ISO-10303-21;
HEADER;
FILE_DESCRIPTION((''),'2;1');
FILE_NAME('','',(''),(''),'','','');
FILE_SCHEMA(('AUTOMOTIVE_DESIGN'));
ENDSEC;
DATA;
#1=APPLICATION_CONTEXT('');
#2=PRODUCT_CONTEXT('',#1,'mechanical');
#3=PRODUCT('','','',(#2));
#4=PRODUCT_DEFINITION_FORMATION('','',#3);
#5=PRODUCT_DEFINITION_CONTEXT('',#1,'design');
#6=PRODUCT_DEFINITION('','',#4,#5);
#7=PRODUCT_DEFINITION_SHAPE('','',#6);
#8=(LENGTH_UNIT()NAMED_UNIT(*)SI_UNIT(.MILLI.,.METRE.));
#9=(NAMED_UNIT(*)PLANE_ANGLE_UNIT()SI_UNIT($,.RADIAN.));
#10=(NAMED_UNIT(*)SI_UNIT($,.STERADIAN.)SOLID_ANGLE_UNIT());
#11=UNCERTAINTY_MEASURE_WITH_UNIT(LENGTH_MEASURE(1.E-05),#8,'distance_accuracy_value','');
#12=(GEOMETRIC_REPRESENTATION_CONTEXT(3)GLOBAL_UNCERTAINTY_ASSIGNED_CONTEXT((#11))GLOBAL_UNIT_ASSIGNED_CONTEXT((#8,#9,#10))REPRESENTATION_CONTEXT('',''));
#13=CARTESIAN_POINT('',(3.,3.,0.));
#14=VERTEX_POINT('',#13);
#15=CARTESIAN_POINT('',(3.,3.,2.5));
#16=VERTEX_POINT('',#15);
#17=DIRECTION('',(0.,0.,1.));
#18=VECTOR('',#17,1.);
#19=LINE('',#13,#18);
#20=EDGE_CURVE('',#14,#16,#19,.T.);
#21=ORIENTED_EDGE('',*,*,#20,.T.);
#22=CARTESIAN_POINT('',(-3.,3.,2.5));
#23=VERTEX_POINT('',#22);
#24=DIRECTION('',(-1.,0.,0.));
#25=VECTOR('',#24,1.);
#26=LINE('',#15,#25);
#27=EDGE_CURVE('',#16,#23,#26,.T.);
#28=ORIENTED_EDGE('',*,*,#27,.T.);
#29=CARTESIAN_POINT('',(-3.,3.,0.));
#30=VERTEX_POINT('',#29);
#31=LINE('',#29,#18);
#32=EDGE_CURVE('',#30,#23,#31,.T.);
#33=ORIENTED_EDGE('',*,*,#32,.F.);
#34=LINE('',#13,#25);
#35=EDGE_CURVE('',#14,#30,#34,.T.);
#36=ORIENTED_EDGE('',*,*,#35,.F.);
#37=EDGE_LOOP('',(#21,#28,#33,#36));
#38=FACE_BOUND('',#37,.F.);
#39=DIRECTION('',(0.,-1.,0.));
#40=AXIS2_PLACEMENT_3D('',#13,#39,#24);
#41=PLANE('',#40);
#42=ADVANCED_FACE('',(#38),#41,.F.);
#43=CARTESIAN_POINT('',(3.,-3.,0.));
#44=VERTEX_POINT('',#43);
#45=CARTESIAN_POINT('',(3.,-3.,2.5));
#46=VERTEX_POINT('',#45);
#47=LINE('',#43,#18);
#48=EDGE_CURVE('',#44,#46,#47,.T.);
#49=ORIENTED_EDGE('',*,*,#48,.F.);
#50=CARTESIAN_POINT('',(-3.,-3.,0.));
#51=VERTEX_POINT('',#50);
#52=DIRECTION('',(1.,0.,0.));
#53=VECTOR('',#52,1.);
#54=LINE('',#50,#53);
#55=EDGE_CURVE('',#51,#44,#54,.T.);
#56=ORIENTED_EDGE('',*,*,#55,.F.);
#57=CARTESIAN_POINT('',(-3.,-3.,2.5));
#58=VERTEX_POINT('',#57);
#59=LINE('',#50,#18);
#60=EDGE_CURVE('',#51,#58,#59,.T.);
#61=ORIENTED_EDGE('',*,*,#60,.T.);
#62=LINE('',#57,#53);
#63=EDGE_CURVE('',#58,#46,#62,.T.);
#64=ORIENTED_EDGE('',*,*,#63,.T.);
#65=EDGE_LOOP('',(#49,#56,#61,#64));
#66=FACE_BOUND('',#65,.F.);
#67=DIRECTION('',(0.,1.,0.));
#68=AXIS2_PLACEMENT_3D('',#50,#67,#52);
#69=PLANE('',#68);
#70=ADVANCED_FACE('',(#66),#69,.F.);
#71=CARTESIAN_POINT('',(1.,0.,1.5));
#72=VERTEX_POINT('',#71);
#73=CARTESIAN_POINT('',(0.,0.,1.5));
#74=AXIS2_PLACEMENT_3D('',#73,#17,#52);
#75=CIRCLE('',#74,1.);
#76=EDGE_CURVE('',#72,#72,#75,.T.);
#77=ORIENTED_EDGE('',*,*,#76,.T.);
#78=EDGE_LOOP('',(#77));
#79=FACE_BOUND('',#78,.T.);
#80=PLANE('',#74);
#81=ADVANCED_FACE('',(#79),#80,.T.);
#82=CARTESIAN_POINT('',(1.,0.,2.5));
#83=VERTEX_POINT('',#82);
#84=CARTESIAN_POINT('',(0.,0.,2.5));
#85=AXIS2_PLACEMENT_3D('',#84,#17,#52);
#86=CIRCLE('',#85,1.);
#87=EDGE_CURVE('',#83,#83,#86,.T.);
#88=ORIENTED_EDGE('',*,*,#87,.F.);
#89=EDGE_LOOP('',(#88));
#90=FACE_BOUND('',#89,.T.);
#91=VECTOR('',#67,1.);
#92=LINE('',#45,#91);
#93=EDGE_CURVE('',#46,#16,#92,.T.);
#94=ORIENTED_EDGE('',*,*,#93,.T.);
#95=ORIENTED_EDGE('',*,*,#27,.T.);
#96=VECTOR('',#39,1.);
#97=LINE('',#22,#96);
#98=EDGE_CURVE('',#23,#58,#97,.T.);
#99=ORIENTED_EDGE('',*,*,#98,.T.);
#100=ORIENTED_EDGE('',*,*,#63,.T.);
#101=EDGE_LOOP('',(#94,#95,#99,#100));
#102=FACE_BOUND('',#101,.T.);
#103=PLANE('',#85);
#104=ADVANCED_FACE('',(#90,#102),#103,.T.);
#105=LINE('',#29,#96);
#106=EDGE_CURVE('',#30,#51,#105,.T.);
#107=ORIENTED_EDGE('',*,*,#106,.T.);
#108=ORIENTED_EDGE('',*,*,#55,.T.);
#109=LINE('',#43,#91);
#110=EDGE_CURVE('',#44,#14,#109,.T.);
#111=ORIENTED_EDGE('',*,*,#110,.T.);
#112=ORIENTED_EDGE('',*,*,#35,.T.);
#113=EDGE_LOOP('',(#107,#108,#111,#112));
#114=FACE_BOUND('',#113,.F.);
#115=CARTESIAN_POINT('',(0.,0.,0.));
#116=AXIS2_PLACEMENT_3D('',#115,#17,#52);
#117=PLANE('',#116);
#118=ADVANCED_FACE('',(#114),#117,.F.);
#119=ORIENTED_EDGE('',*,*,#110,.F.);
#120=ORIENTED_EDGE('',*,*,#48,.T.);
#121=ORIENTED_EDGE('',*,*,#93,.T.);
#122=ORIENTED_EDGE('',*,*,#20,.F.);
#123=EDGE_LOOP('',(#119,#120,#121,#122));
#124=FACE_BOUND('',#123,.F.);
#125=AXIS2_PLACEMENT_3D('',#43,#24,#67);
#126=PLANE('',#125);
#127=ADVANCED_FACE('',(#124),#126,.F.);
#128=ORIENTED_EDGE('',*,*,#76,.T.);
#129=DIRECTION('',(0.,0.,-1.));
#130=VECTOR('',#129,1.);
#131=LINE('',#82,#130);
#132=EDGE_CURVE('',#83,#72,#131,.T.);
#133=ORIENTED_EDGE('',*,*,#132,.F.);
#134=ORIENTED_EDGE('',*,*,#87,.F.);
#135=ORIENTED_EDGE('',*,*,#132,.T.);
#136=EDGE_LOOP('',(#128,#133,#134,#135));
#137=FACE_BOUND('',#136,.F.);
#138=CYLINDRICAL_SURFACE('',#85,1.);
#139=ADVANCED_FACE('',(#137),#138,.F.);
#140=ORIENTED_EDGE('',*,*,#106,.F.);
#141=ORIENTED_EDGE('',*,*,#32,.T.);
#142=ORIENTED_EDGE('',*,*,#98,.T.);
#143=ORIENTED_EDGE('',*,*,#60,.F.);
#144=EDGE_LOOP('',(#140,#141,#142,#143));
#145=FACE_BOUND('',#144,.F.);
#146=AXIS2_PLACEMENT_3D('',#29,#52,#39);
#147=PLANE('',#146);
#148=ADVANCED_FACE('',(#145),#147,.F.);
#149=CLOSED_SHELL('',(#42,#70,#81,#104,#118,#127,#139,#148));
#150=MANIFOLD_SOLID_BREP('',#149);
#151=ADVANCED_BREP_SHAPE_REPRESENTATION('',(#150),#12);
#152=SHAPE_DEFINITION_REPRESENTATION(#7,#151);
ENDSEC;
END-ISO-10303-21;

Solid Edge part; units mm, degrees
sketch "Sketch1" plane through (0, 0, 0) normal (0, 0, 1) x (1, 0, 0)
  line L0 (-3, -3) -> (3, -3)
  line L1 (3, -3) -> (3, 3)
  line L2 (3, 3) -> (-3, 3)
  line L3 (-3, 3) -> (-3, -3)
extrude "Protrusion1" add sketch "Sketch1" along normal blind 2.5
sketch "Sketch2" plane through (0, 0, 2.5) normal (0, 0, 1) x (1, 0, 0)
  circle A0 centre (0, 0) radius 1
extrude "ExtrudedCutout_2" cut sketch "Sketch2" against normal blind 1
properties material "ABS Plastic, high impact"
